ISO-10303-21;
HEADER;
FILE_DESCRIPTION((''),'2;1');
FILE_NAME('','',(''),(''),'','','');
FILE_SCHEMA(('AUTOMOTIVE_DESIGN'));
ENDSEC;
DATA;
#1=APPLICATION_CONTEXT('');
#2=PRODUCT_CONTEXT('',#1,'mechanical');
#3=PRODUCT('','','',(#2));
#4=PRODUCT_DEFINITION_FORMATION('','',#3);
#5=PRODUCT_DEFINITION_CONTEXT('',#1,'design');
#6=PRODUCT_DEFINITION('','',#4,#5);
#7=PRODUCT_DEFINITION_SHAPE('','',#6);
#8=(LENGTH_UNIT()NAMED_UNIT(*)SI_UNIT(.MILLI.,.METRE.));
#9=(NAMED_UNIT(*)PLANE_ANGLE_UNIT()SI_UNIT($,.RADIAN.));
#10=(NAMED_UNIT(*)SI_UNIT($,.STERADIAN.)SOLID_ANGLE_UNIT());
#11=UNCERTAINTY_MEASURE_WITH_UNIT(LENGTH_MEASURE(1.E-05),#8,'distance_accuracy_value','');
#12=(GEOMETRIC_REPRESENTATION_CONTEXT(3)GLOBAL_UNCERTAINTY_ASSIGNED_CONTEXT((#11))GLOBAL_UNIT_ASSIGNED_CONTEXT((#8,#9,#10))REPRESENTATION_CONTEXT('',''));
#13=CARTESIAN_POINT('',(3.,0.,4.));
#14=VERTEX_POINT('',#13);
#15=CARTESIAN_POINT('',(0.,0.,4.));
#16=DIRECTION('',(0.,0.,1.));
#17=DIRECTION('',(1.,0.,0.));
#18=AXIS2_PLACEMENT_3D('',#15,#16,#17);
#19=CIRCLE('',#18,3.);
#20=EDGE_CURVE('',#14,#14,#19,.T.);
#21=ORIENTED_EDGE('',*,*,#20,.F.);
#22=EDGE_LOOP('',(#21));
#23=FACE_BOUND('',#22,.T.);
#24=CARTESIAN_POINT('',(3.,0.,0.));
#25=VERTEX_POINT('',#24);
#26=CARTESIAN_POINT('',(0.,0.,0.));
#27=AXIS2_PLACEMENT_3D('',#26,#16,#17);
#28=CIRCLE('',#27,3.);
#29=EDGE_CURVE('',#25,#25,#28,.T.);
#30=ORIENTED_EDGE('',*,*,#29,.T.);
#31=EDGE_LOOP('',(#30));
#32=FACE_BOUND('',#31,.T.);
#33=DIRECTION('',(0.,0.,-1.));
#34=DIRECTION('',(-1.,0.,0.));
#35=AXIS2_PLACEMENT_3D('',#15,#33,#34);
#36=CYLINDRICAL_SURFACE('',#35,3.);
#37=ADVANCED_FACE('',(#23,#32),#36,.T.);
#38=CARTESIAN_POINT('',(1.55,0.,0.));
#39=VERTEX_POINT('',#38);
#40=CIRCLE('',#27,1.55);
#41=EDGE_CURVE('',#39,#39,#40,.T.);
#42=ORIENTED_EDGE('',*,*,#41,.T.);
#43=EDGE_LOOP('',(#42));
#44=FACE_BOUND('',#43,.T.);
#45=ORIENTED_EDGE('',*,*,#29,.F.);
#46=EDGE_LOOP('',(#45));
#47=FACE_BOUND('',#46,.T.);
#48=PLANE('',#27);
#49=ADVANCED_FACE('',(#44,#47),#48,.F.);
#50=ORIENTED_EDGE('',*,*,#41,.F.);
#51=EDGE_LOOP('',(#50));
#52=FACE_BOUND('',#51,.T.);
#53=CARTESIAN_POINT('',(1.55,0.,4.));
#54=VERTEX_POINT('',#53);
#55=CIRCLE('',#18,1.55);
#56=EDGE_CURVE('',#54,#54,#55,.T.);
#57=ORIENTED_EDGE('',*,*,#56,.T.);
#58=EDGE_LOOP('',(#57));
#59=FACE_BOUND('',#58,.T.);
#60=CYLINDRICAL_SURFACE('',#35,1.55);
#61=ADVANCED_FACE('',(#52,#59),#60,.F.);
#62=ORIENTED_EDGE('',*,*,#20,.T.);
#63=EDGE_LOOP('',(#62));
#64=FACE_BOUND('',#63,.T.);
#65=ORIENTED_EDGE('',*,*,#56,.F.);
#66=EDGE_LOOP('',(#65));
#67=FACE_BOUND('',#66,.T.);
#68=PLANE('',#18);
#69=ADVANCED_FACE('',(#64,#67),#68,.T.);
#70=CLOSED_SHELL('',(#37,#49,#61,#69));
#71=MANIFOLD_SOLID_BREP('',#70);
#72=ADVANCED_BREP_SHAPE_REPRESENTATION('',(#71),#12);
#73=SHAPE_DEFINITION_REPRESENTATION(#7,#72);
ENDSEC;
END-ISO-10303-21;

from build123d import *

# Parameters (mm, degrees)
ESQUISSE1_R      = 3
ESQUISSE1_R_2    = 1.55
EXTRUSION1_DEPTH = 4


with BuildPart() as part:
    # Esquisse1 → Extrusion1 (new body)
    with BuildSketch(Plane.XY):
        Circle(ESQUISSE1_R)
        Circle(ESQUISSE1_R_2, mode=Mode.SUBTRACT)
    extrude(amount=EXTRUSION1_DEPTH)


solid = part.part
